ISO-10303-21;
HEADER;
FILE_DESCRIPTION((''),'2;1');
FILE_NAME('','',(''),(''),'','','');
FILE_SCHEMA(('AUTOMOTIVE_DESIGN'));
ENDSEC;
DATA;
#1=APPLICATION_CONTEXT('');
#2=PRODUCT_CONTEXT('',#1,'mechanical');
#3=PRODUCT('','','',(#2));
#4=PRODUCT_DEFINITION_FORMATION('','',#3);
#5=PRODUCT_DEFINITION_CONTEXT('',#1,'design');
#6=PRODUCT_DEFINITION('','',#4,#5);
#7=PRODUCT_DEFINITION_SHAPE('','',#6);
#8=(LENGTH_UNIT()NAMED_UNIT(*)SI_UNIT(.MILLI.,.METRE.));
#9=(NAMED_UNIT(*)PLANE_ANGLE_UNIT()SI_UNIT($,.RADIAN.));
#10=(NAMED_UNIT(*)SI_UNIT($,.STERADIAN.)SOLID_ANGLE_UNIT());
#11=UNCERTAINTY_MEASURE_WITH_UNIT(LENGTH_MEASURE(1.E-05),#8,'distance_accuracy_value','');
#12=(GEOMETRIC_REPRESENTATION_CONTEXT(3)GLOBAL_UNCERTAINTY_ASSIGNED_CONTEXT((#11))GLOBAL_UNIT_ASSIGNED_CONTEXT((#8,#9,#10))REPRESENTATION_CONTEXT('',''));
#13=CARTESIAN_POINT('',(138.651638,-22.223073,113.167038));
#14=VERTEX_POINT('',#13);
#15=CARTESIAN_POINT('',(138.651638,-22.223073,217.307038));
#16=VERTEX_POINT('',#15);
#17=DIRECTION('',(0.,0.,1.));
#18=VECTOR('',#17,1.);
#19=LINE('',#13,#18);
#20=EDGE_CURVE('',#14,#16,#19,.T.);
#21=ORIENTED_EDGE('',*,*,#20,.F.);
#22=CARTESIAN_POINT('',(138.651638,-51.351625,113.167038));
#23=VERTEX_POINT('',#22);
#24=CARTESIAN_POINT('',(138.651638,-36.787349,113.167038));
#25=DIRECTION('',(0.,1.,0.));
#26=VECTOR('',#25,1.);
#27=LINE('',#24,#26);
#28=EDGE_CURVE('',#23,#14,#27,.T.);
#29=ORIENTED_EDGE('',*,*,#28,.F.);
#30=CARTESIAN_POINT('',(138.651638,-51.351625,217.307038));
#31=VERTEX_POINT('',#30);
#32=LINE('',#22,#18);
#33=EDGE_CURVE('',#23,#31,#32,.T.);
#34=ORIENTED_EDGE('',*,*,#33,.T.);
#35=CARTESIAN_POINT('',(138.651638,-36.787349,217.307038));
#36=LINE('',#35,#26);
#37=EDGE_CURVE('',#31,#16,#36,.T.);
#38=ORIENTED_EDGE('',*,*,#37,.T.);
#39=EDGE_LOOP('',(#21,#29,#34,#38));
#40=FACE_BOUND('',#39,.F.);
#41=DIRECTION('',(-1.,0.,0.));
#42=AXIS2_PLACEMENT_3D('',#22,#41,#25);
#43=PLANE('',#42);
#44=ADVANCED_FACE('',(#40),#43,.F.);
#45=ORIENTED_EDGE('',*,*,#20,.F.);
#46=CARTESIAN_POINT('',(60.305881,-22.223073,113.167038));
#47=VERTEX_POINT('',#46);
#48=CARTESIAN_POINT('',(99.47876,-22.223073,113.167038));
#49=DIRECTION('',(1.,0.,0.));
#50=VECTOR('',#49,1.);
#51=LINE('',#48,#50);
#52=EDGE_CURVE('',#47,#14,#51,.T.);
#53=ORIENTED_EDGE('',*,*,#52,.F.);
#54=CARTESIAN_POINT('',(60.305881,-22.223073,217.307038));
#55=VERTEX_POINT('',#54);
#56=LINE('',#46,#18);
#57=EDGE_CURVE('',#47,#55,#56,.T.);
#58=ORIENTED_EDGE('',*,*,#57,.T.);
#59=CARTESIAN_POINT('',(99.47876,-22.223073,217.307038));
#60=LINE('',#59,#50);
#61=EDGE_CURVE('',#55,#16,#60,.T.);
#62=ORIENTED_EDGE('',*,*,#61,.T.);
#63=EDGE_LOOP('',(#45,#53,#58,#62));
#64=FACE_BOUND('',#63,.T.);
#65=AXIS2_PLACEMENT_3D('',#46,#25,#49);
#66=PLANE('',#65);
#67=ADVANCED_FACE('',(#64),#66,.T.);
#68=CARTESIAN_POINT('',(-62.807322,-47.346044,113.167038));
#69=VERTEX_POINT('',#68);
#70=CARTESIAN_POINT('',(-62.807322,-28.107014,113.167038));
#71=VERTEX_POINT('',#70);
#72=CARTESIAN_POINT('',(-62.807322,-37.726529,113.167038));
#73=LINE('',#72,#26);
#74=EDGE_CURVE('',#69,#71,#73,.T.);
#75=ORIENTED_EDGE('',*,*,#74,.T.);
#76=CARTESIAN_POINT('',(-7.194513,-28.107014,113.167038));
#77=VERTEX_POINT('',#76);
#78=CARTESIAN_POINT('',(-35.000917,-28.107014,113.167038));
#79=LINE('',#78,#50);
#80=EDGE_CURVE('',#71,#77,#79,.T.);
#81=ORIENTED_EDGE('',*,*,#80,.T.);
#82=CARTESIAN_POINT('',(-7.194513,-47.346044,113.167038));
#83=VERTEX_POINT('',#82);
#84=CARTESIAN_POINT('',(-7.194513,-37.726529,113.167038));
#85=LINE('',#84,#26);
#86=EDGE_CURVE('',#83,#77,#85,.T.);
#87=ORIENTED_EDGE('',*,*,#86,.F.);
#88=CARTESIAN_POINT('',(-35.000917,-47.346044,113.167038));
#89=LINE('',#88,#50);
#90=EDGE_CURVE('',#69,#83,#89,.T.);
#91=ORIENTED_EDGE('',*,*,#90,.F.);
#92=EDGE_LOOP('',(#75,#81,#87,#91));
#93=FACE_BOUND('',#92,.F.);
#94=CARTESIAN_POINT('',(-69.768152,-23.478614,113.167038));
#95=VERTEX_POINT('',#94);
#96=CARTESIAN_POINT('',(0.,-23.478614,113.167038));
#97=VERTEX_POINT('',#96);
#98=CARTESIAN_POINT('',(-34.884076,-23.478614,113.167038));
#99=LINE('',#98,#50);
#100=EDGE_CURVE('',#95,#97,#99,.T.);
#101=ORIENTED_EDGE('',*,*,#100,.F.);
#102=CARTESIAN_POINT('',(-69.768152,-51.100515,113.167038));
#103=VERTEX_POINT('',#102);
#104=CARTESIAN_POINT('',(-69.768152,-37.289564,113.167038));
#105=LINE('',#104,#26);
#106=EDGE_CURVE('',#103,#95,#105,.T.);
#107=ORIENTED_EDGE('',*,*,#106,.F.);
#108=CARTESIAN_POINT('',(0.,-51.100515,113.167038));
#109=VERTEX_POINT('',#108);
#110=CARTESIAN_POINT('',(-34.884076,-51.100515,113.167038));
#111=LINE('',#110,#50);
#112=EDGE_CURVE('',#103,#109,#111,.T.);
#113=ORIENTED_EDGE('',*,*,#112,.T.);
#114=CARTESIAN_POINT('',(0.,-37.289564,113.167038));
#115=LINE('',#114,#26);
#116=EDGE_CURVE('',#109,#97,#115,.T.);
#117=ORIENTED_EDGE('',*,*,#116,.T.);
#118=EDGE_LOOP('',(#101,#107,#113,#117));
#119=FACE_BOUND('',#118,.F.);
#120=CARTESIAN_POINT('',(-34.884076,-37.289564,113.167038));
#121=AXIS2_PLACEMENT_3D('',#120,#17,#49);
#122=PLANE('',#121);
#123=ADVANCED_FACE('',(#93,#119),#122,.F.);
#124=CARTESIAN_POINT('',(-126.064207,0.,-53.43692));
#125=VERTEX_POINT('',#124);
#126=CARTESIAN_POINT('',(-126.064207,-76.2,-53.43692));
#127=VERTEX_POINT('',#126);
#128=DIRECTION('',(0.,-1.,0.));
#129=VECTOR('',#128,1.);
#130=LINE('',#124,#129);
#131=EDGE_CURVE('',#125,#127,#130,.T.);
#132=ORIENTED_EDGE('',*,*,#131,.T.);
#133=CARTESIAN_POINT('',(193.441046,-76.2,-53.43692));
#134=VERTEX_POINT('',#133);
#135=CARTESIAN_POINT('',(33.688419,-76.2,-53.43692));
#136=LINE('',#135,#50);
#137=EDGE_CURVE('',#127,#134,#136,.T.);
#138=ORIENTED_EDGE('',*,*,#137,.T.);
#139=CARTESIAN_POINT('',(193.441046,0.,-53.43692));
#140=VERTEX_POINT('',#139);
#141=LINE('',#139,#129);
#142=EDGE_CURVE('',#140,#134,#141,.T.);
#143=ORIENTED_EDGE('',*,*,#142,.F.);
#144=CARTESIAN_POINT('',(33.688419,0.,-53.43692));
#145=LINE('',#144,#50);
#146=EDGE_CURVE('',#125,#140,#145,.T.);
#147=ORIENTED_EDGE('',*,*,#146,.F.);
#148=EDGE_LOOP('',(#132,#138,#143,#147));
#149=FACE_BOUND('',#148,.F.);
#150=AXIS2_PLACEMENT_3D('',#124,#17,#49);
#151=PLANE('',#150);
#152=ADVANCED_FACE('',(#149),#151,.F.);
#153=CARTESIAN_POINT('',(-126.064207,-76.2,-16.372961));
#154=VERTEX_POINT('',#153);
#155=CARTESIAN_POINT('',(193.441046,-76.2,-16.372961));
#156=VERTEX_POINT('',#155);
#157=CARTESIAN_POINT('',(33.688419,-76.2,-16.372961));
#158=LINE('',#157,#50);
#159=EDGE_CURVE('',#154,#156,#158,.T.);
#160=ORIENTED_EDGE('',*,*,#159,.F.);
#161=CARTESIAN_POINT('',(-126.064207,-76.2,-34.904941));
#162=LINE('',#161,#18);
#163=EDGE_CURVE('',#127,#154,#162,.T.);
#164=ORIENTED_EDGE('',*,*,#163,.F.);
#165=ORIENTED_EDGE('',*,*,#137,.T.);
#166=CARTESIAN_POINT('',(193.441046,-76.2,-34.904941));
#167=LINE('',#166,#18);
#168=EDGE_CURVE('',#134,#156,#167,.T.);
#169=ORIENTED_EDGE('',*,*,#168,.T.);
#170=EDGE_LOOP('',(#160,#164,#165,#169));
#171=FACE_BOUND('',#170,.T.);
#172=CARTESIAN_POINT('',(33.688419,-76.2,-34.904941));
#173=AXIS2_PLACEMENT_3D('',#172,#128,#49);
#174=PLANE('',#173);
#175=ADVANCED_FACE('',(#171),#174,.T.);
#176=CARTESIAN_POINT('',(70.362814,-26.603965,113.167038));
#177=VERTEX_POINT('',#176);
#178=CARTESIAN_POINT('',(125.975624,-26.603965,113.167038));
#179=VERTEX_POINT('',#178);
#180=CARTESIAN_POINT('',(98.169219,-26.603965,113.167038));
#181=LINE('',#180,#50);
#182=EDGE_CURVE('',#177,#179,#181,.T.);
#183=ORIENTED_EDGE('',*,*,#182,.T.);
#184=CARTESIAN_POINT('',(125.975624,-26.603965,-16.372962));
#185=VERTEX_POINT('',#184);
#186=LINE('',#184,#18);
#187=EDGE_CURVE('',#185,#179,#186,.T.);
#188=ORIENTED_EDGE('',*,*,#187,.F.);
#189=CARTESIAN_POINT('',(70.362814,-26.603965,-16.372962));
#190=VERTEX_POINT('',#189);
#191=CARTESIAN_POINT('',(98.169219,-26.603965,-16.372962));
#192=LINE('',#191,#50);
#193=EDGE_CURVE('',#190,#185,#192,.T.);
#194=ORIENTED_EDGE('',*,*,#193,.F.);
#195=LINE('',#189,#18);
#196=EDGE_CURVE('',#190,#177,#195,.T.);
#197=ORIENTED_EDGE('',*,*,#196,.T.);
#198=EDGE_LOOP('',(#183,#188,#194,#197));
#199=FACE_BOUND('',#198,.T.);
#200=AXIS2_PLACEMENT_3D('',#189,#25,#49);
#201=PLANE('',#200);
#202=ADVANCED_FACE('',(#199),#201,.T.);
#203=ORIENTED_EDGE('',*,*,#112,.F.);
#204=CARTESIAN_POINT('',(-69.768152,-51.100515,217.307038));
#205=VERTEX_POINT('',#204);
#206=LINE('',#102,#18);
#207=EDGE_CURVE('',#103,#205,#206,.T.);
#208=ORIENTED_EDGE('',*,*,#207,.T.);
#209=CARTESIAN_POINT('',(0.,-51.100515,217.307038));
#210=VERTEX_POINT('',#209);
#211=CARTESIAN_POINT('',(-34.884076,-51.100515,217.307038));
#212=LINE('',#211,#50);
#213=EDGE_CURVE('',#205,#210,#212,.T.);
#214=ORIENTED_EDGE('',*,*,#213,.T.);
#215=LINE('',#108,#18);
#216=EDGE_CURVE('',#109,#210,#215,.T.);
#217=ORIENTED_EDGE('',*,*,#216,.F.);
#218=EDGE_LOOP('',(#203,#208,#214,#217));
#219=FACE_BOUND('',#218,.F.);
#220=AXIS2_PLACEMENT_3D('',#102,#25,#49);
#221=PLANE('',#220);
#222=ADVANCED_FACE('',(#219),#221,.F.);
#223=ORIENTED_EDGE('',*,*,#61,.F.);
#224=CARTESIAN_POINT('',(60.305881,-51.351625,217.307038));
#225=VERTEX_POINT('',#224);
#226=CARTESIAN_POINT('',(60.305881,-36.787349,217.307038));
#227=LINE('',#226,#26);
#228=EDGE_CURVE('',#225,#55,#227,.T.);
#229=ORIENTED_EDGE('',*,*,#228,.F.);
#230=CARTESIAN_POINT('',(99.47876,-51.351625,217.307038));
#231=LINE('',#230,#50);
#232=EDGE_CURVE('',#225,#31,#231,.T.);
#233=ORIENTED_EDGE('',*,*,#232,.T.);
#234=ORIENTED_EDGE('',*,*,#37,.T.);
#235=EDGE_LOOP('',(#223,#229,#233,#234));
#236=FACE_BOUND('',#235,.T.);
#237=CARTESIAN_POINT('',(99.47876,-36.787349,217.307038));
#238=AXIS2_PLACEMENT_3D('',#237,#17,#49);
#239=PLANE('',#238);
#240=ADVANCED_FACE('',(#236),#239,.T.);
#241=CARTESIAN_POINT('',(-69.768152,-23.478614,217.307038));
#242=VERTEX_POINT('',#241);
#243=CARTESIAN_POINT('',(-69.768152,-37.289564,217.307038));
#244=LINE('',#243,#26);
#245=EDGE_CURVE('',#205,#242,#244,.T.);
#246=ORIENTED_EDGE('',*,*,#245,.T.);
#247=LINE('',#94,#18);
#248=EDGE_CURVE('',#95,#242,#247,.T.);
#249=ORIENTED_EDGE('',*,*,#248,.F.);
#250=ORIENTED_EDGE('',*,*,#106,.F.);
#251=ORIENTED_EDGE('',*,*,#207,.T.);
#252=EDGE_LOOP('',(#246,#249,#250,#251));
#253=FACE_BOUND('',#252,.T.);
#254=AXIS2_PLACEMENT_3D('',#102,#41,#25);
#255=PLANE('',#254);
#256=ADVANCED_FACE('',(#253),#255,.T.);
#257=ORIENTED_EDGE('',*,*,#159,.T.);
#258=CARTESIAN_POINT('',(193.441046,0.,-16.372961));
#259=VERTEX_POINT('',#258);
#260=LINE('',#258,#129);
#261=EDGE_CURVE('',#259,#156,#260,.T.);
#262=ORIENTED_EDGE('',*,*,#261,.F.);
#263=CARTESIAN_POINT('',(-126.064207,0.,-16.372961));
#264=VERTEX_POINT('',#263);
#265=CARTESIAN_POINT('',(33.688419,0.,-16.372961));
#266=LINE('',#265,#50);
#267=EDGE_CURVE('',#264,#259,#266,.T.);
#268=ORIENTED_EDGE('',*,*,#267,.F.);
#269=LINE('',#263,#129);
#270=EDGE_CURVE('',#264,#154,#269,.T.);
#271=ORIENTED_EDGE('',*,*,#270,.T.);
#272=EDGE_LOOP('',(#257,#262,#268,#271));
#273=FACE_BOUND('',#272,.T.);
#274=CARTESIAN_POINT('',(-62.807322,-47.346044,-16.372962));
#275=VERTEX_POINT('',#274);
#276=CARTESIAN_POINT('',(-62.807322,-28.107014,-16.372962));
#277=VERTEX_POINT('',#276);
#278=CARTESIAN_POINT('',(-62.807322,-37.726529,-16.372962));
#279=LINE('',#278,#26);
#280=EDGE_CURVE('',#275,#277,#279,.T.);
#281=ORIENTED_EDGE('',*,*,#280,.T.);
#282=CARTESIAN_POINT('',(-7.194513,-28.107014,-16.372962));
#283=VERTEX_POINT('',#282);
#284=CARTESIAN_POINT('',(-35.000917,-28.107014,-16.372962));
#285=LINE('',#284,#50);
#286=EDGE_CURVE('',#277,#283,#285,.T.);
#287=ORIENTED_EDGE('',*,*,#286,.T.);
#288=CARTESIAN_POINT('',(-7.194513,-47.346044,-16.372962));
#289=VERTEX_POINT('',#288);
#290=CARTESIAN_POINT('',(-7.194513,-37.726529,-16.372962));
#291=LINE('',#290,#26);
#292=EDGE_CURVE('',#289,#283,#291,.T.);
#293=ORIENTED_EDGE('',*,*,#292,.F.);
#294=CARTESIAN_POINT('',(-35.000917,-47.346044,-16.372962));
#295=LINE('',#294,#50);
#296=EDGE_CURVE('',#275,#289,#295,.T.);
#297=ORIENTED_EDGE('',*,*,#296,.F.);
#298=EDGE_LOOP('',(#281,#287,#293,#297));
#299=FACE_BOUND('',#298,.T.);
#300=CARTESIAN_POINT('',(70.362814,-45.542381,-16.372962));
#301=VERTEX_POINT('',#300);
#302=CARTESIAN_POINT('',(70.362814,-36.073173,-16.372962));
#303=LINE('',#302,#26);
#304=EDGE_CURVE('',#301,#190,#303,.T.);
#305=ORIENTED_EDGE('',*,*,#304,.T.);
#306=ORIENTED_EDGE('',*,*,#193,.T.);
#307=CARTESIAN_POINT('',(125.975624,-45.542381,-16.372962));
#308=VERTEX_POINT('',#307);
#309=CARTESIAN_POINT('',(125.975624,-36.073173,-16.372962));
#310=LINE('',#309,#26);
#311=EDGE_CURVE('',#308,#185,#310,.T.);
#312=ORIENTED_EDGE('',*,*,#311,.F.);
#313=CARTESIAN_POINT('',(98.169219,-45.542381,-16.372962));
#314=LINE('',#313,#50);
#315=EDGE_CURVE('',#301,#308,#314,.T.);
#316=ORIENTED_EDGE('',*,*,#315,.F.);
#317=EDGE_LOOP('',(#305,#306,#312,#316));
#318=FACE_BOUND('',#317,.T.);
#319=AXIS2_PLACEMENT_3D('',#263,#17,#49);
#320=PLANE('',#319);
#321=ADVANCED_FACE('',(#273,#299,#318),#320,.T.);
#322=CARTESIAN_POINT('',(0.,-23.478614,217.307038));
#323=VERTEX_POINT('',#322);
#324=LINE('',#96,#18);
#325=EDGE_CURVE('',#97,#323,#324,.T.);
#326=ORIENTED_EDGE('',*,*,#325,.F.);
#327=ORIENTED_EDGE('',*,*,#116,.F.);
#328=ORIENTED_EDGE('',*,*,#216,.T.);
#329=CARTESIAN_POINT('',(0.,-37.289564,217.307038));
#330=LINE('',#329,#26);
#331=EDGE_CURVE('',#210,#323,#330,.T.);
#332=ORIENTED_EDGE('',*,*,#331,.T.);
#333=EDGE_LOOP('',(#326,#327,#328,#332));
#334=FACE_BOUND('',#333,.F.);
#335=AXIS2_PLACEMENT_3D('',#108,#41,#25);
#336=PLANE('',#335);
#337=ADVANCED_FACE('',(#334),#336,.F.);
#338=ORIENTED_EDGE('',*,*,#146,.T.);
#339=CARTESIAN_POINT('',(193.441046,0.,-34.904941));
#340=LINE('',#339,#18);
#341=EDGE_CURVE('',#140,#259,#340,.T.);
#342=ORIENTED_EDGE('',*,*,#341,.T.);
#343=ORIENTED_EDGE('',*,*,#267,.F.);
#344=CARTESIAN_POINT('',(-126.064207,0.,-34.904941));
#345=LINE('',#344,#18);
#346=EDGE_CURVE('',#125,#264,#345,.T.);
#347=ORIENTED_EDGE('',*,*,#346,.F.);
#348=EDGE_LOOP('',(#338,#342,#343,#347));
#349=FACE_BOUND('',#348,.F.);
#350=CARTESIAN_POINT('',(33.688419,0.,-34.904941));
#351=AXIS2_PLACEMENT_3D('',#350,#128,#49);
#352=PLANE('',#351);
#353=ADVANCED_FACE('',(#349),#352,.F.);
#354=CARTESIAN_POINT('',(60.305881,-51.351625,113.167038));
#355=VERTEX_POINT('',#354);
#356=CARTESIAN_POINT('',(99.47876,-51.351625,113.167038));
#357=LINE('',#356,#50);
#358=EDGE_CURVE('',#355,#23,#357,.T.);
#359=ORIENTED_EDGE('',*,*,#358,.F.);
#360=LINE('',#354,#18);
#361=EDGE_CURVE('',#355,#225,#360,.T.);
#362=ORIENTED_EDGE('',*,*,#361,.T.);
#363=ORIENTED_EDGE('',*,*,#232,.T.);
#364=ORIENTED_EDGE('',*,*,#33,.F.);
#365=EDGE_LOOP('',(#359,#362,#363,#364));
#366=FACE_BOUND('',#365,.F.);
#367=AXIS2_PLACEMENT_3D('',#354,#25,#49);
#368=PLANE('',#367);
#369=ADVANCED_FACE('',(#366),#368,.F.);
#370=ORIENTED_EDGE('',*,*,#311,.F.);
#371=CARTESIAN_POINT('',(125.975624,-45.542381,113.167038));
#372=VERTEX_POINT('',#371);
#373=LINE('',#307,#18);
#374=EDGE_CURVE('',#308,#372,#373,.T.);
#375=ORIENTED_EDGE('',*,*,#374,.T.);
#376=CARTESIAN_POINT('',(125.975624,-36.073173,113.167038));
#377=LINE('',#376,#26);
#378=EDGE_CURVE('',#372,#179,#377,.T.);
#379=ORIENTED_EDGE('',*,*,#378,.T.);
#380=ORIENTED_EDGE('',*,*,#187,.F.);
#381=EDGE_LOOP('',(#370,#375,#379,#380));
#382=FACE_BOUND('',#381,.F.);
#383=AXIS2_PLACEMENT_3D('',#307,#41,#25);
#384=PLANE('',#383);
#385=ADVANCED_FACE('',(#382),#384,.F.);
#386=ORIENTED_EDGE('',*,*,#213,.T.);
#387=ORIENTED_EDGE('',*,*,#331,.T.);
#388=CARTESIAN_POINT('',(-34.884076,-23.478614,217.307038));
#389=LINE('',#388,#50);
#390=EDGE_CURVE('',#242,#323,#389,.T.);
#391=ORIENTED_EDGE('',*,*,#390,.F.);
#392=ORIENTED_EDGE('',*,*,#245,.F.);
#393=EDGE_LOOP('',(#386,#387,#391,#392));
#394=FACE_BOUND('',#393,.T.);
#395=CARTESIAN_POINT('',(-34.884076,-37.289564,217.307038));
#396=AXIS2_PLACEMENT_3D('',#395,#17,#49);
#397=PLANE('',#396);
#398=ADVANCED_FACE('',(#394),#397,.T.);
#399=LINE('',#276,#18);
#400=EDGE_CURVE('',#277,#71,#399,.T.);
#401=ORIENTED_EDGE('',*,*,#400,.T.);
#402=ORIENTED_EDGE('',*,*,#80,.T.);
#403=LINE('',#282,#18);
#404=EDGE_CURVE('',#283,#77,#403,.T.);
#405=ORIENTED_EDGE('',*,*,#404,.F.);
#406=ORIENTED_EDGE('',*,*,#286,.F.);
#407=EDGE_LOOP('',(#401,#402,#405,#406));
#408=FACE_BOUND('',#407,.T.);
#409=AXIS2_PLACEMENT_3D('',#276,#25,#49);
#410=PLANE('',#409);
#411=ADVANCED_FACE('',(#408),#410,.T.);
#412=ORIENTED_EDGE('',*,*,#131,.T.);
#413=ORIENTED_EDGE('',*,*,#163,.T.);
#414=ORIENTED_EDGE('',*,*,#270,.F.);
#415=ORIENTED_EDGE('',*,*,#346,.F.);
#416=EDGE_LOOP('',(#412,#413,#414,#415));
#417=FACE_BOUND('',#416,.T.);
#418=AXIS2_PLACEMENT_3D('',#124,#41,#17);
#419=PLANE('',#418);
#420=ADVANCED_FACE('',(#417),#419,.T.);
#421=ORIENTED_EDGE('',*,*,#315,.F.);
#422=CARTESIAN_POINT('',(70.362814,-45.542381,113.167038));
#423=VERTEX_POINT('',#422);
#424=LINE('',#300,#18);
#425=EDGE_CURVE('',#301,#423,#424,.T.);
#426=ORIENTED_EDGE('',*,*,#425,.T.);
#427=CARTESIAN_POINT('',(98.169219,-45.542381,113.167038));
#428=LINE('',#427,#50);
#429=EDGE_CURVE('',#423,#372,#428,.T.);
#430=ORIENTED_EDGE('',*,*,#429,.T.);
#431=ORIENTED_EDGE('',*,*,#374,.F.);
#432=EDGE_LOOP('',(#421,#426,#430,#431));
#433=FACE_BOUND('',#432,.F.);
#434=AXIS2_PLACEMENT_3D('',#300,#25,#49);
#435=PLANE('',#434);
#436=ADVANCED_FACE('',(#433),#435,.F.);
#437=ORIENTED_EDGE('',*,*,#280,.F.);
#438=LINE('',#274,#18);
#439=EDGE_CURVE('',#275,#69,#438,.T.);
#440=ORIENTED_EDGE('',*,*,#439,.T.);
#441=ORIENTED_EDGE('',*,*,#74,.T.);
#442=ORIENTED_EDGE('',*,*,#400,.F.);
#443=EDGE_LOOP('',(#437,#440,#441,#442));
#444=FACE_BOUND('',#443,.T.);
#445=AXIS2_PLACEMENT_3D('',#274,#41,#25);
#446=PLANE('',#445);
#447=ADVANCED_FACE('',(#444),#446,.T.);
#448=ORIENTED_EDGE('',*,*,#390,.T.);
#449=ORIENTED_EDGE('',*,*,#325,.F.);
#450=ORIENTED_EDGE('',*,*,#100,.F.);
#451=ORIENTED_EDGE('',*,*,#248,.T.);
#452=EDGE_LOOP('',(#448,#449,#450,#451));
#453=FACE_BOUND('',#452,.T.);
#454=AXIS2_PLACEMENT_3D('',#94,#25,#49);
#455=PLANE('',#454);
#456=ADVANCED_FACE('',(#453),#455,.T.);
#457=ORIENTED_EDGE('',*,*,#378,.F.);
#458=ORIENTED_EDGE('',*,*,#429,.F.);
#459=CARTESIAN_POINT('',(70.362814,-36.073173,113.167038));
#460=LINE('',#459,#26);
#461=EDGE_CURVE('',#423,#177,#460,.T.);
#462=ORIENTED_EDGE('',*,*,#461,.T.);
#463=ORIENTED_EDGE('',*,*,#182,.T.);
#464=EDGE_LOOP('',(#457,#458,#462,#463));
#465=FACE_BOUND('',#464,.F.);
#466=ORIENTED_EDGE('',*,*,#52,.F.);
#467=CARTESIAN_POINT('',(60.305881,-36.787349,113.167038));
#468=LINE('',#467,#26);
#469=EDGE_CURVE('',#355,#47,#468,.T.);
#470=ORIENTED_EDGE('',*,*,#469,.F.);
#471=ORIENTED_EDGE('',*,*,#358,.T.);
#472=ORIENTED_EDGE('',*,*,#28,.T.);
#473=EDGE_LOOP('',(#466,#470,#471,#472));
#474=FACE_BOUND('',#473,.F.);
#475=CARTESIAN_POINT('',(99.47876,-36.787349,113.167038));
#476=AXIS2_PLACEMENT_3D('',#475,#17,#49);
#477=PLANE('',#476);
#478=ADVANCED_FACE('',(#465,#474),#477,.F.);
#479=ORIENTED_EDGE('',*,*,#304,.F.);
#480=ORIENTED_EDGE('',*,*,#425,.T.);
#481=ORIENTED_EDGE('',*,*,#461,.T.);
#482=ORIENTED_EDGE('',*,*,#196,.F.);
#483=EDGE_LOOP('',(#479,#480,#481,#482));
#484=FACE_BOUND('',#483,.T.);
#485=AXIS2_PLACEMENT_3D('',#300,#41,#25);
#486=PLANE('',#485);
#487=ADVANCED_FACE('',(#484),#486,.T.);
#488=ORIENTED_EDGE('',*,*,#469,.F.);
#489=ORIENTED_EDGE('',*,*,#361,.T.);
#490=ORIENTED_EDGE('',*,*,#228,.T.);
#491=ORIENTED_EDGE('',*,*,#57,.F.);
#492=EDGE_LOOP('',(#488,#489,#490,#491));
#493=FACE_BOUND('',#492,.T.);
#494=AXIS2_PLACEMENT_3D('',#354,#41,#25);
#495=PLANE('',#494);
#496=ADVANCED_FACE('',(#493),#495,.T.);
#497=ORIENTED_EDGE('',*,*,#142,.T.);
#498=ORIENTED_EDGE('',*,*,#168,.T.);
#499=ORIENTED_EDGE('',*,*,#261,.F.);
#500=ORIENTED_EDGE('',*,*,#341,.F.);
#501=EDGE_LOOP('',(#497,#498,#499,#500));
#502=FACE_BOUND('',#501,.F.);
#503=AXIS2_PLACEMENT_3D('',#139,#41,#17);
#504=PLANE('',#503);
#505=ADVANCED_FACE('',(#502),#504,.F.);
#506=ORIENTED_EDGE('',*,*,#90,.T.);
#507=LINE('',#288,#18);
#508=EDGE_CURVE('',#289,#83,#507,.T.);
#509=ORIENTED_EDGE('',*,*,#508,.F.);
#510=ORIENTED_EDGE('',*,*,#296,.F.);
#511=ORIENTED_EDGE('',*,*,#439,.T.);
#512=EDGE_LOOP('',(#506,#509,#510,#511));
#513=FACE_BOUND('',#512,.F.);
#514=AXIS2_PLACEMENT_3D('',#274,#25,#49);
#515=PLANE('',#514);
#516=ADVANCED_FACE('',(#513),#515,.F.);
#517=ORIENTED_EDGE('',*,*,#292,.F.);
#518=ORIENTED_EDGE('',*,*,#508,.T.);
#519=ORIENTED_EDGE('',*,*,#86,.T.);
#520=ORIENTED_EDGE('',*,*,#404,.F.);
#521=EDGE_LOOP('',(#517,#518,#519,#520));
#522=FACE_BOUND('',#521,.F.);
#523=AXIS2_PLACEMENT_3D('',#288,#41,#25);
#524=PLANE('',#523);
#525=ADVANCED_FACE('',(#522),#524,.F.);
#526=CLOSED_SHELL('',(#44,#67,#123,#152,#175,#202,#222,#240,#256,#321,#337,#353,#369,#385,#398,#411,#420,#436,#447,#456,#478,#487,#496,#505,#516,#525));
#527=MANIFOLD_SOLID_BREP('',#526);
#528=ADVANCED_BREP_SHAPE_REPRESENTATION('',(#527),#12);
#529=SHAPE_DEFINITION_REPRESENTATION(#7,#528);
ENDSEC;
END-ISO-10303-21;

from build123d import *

# Parameters (mm, degrees)
F0_W     = 319.505253
F0_H     = 37.063959
F1_DEPTH = 76.2
F2_W     = 55.612809
F2_H     = 19.239029
F2_W_2   = 55.61281
F2_H_2   = 18.938417
F3_DEPTH = 129.54
F4_W     = 69.768153
F4_H     = 27.621901
F4_W_2   = 78.345757
F4_H_2   = 29.128553
F5_DEPTH = 104.14


with BuildPart() as f1:
    # F0 (on Front) → F1 (new body)
    with BuildSketch(Plane.XZ):
        with Locations((33.688419, -34.904941)):
            Rectangle(F0_W, F0_H)
    extrude(amount=F1_DEPTH)

    # F2 (on face) → F3 (join)
    with BuildSketch(Plane.XY.offset(-16.372962)):
        with Locations((-35.000917, -37.726529)):
            Rectangle(F2_W, F2_H)
        with Locations((98.169219, -36.073173)):
            Rectangle(F2_W_2, F2_H_2)
    extrude(amount=F3_DEPTH)

    # F4 (on face) → F5 (join)
    with BuildSketch(Plane.XY.offset(113.167038)):
        with Locations((-34.884076, -37.289564)):
            Rectangle(F4_W, F4_H)
        with Locations((99.47876, -36.787349)):
            Rectangle(F4_W_2, F4_H_2)
    extrude(amount=F5_DEPTH)


solid = f1.part
